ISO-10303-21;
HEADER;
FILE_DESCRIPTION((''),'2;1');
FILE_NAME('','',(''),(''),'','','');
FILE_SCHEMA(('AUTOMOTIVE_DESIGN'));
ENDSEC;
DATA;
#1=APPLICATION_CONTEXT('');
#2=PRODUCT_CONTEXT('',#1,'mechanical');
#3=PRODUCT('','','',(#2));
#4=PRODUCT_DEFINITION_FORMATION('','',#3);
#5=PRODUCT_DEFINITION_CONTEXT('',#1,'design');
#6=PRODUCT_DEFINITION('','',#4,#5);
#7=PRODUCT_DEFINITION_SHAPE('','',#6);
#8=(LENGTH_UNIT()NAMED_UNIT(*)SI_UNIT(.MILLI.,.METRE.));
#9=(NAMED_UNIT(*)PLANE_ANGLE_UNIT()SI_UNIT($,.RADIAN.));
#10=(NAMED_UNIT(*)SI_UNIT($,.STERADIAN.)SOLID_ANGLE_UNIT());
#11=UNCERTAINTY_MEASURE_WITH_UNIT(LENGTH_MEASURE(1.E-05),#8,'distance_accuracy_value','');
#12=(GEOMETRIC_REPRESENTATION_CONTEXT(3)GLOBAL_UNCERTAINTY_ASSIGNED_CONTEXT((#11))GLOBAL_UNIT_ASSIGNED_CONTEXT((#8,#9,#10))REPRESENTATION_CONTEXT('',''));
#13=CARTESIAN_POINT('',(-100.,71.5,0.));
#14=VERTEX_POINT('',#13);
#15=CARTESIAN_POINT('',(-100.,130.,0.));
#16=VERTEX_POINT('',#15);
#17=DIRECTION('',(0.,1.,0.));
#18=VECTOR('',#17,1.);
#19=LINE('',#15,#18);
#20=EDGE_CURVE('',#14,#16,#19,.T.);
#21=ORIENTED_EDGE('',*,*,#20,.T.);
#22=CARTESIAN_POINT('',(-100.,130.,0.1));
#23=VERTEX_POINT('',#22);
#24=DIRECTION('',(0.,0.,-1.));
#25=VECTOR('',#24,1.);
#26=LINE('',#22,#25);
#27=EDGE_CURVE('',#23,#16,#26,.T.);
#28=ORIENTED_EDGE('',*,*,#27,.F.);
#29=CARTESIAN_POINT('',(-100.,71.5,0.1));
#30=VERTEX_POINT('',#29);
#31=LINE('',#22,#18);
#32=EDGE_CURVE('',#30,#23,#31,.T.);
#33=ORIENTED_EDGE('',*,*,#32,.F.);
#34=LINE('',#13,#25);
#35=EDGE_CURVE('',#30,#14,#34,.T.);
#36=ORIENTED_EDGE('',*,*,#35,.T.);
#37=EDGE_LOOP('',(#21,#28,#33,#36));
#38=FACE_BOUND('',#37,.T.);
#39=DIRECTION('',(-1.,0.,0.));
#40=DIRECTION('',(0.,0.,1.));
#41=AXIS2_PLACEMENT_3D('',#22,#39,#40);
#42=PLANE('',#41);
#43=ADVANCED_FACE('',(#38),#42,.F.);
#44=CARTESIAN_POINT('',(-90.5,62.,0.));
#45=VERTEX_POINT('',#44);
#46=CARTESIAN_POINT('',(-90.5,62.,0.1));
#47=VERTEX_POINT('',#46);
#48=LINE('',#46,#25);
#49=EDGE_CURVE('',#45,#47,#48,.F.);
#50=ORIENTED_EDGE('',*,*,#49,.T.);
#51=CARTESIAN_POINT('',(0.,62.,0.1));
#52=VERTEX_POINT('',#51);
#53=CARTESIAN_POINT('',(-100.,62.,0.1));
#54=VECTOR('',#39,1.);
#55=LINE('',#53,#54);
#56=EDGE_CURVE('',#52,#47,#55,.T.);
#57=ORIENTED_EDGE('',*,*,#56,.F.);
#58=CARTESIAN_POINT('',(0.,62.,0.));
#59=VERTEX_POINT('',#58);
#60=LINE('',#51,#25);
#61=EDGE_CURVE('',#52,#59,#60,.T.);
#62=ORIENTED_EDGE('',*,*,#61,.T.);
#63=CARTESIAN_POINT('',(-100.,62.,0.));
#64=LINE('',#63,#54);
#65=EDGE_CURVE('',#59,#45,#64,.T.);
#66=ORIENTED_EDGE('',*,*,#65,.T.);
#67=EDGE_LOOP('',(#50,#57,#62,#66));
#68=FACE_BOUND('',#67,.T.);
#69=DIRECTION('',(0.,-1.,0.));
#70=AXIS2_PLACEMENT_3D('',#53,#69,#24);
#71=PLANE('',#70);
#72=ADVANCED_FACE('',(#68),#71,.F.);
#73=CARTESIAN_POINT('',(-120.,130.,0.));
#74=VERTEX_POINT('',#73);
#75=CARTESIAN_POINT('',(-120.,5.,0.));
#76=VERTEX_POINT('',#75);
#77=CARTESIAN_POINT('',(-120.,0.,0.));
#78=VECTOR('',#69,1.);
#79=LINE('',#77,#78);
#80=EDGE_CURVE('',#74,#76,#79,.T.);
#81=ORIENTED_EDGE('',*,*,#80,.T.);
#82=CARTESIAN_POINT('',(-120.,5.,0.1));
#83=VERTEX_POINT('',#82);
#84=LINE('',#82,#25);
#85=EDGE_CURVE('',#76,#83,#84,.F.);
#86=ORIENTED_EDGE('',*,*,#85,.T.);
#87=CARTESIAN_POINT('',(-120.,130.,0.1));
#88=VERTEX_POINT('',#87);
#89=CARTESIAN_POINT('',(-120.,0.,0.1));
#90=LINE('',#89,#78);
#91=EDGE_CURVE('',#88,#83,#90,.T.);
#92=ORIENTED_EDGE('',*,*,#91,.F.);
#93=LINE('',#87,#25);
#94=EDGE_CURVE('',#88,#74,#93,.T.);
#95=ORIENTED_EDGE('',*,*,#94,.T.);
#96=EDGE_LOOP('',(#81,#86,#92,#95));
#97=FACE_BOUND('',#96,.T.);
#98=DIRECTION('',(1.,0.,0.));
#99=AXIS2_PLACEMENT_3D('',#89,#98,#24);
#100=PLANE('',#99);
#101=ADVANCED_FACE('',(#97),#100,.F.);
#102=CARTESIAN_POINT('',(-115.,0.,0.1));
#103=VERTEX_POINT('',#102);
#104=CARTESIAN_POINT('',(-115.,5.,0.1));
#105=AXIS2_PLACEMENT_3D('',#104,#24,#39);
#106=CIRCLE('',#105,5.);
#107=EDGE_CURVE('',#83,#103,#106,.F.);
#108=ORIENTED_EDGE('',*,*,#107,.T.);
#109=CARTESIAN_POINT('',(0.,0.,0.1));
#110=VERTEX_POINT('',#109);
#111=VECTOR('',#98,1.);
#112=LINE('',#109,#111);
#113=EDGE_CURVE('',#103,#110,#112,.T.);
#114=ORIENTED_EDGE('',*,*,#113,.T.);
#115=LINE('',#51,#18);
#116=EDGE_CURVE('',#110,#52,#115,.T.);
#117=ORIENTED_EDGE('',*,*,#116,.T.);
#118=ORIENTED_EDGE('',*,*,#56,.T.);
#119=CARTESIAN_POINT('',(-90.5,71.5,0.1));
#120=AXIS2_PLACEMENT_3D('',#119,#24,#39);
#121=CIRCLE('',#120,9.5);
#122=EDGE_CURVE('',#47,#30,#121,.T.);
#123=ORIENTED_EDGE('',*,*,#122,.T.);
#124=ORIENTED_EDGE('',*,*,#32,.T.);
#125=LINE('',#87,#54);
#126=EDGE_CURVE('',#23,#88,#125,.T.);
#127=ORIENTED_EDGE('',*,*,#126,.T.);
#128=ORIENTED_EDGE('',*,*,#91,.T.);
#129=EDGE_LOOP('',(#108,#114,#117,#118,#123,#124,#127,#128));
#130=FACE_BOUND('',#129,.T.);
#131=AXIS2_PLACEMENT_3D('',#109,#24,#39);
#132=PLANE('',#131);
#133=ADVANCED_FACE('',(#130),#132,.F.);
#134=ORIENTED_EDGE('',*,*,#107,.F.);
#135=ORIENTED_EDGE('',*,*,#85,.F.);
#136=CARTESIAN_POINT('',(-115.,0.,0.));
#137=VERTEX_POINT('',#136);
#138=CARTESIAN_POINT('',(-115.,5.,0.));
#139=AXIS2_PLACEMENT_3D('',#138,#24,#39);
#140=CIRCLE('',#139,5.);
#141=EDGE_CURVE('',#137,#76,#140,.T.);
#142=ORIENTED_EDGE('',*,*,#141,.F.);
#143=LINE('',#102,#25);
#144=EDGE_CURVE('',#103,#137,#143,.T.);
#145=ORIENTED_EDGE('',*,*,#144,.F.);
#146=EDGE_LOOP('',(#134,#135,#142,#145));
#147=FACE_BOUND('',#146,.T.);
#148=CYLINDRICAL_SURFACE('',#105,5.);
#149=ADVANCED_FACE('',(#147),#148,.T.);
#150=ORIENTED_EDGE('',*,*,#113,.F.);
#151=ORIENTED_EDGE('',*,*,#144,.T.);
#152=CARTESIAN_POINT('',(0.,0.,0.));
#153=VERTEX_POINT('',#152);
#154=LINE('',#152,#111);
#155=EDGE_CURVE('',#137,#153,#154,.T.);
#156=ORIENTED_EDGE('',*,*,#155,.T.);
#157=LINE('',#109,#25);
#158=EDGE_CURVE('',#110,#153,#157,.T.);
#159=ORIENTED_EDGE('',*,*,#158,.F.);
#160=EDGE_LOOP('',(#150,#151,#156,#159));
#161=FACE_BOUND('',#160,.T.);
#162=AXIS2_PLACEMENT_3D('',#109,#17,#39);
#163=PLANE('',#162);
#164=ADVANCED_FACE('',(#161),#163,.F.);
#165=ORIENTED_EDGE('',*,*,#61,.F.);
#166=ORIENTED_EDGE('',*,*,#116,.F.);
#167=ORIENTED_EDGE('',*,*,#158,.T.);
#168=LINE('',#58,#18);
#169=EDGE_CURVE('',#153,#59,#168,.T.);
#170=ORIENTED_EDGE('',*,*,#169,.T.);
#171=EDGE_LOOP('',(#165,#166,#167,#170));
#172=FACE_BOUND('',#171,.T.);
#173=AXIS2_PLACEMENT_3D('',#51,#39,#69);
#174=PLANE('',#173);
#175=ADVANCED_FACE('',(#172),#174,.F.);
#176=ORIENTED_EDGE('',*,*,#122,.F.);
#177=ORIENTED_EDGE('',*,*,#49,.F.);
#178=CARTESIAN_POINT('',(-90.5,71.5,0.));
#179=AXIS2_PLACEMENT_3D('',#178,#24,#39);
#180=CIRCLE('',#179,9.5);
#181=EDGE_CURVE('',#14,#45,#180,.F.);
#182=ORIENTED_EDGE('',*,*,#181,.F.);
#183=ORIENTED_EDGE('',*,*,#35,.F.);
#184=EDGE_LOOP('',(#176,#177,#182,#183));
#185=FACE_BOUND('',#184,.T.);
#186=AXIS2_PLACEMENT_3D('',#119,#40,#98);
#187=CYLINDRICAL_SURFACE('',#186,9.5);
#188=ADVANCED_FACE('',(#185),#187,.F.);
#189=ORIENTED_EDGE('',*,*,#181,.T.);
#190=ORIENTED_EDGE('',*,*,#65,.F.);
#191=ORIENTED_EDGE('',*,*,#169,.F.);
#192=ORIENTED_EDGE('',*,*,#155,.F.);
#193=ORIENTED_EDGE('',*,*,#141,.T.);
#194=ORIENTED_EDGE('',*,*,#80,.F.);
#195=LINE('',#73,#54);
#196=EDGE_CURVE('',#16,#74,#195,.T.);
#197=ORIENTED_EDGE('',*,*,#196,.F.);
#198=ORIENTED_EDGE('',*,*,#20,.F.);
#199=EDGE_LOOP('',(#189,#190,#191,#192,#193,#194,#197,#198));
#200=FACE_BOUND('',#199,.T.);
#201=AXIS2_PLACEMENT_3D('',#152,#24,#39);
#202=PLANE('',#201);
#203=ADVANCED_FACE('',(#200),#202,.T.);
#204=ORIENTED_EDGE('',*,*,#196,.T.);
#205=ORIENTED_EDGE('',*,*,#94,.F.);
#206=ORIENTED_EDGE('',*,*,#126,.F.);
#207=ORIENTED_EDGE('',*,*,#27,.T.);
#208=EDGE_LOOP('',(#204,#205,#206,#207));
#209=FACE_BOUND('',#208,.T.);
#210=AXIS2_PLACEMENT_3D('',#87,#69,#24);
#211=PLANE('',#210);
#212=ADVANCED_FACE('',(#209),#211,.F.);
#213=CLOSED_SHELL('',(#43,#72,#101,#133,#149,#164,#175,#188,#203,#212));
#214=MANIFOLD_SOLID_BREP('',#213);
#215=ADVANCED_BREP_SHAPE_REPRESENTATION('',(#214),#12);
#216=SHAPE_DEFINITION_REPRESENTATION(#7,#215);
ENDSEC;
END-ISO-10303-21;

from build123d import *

# Parameters (mm, degrees)
EXTRUDE_1_DEPTH = 0.1
FILLET_1_R      = 9.5
FILLET_2_R      = 5


with BuildPart() as part:
    # 草图1 → 凸台-拉伸1 (new body)
    with BuildSketch(Plane.XY):
        Polygon((0, 0), (-120, 0), (-120, 130), (-100, 130), (-100, 62), (0, 62), align=None)
    extrude(amount=EXTRUDE_1_DEPTH)

    # 圆角1
    fillet_1_edges = [part.edges().sort_by_distance(p)[0] for p in [
        (-100, 62, 0.05),
    ]]
    fillet(fillet_1_edges, radius=FILLET_1_R)

    # 圆角2
    fillet_2_edges = [part.edges().sort_by_distance(p)[0] for p in [
        (-120, 0, 0.05),
    ]]
    fillet(fillet_2_edges, radius=FILLET_2_R)


solid = part.part
